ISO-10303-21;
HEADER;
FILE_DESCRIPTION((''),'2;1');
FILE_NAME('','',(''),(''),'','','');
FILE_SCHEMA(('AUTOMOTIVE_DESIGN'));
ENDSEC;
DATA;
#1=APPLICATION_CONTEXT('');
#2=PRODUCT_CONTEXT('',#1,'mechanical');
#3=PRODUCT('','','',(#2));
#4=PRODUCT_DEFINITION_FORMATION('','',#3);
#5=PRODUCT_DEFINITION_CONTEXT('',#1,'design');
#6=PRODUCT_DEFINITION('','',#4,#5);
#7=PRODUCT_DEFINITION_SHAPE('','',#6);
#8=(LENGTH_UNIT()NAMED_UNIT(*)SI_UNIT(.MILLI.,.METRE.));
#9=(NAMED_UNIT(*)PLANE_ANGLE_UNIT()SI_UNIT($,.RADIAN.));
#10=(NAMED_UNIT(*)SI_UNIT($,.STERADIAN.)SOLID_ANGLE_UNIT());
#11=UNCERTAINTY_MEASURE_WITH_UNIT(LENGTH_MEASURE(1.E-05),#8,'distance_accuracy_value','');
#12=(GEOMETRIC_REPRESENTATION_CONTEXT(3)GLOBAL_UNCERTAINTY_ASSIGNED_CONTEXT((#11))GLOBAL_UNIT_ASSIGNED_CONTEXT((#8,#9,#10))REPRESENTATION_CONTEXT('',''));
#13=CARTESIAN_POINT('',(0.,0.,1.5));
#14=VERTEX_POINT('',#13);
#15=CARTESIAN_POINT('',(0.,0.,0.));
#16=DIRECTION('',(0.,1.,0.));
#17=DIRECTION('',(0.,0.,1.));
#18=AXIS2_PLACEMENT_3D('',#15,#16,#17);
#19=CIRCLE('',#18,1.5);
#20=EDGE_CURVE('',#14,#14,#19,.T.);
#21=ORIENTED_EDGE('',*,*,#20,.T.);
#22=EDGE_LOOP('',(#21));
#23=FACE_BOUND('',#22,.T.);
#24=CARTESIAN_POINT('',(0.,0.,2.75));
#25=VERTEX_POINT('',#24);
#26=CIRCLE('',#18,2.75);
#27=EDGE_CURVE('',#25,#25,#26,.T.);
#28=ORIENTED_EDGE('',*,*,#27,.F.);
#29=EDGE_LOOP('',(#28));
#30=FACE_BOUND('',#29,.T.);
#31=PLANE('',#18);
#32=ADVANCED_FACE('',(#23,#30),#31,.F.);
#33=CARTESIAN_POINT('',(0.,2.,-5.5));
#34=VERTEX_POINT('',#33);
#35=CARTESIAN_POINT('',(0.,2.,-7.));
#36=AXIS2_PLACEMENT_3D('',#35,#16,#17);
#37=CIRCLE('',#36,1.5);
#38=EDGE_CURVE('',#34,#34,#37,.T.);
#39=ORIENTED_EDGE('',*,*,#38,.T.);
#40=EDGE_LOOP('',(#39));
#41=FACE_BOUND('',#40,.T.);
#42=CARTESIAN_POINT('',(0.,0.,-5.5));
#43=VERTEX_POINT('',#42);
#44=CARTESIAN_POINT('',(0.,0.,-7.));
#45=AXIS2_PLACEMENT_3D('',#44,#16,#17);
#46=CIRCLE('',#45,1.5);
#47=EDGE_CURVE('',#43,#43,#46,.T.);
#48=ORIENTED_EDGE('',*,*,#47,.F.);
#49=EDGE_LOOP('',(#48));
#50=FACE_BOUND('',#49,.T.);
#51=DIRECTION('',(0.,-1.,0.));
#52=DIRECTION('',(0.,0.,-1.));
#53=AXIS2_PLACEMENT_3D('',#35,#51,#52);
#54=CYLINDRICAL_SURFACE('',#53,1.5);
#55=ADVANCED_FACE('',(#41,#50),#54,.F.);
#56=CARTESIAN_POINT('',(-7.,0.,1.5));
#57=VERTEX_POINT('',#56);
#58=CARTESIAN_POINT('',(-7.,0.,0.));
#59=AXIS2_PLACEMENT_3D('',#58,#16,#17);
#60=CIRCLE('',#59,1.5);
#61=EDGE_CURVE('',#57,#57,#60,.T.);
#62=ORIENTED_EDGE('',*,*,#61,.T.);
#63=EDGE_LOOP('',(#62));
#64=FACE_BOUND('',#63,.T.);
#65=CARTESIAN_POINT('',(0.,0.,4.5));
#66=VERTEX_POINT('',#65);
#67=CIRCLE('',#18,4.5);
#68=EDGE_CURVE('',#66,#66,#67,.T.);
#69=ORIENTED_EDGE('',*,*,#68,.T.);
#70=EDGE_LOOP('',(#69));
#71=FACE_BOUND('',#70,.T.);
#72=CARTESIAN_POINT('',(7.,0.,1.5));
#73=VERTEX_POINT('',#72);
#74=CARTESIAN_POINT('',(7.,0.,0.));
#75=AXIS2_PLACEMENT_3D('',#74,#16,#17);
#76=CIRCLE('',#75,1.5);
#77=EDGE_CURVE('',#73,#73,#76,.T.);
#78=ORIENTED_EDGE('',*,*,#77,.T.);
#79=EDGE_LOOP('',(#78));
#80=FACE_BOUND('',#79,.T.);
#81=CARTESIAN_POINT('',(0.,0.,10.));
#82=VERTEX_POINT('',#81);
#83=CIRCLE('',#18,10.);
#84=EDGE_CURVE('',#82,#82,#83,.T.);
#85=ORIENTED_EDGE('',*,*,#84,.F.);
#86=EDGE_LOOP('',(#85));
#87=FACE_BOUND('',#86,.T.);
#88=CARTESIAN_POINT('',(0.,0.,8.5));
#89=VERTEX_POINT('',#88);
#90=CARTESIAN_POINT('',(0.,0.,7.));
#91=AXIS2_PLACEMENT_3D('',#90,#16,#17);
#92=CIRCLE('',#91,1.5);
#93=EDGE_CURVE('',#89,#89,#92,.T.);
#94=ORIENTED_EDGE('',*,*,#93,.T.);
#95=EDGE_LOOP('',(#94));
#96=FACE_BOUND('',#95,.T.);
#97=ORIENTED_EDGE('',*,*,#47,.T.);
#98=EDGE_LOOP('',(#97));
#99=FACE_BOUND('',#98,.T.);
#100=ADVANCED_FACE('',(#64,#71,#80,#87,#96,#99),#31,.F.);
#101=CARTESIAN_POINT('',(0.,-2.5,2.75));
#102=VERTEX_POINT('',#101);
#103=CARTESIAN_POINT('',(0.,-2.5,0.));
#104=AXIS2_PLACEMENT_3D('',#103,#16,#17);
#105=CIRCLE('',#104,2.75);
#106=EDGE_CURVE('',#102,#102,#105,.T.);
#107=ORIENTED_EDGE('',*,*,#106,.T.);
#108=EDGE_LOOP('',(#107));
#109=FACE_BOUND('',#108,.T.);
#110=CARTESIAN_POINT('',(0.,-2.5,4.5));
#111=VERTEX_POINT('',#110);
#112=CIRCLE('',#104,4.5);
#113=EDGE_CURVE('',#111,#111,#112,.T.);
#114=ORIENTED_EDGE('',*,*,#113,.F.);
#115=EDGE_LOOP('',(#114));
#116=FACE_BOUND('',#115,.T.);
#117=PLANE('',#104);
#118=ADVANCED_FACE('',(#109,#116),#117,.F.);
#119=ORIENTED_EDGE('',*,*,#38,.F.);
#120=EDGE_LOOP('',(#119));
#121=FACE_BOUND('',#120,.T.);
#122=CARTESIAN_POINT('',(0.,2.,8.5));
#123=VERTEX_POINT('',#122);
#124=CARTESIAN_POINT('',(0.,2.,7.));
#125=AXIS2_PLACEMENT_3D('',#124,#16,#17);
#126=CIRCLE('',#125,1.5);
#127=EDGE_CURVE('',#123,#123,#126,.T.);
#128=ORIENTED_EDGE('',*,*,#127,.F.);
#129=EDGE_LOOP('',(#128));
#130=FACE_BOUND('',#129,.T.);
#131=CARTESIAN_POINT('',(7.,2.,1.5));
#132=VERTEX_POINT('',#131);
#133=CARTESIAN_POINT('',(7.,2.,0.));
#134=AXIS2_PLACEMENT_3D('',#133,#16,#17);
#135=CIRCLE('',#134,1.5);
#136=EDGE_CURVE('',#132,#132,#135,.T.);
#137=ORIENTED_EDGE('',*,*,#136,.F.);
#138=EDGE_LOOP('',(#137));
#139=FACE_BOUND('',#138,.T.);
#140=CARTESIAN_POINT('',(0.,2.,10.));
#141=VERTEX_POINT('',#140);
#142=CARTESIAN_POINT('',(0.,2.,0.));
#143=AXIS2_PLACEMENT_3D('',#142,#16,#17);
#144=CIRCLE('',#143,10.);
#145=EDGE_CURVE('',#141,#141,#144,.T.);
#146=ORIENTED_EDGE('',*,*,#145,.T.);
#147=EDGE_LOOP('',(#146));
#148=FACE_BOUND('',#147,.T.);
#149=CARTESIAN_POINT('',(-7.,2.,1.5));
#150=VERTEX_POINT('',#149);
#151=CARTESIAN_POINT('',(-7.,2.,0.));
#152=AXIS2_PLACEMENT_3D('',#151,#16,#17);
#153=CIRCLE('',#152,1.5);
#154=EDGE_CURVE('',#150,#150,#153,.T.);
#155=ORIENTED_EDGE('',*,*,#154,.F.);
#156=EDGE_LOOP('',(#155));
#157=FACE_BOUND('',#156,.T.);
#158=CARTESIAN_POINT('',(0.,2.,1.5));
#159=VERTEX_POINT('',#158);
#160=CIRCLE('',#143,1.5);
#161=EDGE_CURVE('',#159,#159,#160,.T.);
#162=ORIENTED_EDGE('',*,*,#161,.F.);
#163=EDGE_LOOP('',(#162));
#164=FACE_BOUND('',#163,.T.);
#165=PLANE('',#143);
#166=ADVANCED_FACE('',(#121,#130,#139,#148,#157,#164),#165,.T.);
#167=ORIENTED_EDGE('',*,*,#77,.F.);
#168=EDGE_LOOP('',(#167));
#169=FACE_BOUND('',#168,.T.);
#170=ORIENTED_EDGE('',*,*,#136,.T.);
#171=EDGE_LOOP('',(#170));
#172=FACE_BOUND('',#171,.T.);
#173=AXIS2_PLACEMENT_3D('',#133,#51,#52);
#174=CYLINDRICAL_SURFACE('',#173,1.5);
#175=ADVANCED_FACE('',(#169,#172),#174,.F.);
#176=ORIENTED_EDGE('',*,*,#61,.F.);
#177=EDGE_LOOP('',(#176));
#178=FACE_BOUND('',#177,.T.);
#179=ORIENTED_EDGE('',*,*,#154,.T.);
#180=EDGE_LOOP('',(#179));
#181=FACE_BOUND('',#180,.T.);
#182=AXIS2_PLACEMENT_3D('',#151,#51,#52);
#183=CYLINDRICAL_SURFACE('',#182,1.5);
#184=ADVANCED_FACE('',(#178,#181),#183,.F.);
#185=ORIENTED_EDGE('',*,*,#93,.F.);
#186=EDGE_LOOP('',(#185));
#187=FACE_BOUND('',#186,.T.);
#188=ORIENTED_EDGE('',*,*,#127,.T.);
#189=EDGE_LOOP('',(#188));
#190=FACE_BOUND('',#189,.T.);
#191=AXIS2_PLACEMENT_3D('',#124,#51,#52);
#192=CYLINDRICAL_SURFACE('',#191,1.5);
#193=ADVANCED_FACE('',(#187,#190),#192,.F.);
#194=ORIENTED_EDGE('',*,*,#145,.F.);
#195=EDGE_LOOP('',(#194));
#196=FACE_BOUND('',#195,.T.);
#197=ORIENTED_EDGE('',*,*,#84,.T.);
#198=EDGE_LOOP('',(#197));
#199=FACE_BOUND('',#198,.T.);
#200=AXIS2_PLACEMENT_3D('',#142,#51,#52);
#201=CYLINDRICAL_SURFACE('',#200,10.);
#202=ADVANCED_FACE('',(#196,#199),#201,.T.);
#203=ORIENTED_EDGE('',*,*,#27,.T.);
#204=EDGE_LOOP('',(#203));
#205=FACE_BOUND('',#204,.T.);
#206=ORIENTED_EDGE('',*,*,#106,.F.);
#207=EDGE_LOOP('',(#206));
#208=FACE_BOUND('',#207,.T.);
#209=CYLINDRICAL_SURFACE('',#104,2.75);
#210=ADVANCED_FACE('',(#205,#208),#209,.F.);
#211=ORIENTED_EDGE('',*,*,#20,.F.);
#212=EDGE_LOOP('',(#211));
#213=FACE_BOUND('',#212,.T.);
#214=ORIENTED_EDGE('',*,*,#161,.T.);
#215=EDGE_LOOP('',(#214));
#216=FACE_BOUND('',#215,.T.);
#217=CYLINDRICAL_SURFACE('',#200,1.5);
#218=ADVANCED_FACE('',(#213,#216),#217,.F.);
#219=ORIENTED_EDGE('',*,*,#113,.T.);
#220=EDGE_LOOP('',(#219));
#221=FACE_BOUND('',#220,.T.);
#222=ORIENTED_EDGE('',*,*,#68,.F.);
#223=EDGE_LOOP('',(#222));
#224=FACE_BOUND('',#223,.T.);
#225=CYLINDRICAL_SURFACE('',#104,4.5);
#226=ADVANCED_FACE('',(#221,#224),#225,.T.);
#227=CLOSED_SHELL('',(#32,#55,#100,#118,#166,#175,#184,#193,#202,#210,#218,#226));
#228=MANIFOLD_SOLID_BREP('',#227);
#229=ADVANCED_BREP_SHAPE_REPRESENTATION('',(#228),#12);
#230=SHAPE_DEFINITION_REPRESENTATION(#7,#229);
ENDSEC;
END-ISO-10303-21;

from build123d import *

# Parameters (mm, degrees)
SKETCH_1_R      = 10
SKETCH_1_R_2    = 1.5
EXTRUDE_1_DEPTH = 2
SKETCH_2_R      = 4.5
SKETCH_2_R_2    = 2.75
EXTRUDE_2_DEPTH = 2.5


with BuildPart() as part:
    # 草图1 → 凸台-拉伸1 (new body)
    with BuildSketch(Plane(origin=(0, 0, 0), x_dir=(1, 0, 0), z_dir=(0, 1, 0))):
        with Locations(Location((0, 0, 0), (0, 0, 270))):
            Circle(SKETCH_1_R)
        with Locations(Location((-7, 0, 0), (0, 0, 270))):
            Circle(SKETCH_1_R_2, mode=Mode.SUBTRACT)
        with Locations(Location((0, 7, 0), (0, 0, 270))):
            Circle(SKETCH_1_R_2, mode=Mode.SUBTRACT)
        with Locations(Location((7, 0, 0), (0, 0, 270))):
            Circle(SKETCH_1_R_2, mode=Mode.SUBTRACT)
        with Locations(Location((0, -7, 0), (0, 0, 270))):
            Circle(SKETCH_1_R_2, mode=Mode.SUBTRACT)
        with Locations(Location((0, 0, 0), (0, 0, 270))):
            Circle(SKETCH_1_R_2, mode=Mode.SUBTRACT)
    extrude(amount=EXTRUDE_1_DEPTH)

    # 草图2 → 凸台-拉伸2 (add)
    with BuildSketch(Plane(origin=(0, 0, 0), x_dir=(1, 0, 0), z_dir=(0, 1, 0))):
        with Locations(Location((0, 0, 0), (0, 0, 270))):
            Circle(SKETCH_2_R)
        with Locations(Location((0, 0, 0), (0, 0, 270))):
            Circle(SKETCH_2_R_2, mode=Mode.SUBTRACT)
    extrude(amount=-EXTRUDE_2_DEPTH)


solid = part.part
